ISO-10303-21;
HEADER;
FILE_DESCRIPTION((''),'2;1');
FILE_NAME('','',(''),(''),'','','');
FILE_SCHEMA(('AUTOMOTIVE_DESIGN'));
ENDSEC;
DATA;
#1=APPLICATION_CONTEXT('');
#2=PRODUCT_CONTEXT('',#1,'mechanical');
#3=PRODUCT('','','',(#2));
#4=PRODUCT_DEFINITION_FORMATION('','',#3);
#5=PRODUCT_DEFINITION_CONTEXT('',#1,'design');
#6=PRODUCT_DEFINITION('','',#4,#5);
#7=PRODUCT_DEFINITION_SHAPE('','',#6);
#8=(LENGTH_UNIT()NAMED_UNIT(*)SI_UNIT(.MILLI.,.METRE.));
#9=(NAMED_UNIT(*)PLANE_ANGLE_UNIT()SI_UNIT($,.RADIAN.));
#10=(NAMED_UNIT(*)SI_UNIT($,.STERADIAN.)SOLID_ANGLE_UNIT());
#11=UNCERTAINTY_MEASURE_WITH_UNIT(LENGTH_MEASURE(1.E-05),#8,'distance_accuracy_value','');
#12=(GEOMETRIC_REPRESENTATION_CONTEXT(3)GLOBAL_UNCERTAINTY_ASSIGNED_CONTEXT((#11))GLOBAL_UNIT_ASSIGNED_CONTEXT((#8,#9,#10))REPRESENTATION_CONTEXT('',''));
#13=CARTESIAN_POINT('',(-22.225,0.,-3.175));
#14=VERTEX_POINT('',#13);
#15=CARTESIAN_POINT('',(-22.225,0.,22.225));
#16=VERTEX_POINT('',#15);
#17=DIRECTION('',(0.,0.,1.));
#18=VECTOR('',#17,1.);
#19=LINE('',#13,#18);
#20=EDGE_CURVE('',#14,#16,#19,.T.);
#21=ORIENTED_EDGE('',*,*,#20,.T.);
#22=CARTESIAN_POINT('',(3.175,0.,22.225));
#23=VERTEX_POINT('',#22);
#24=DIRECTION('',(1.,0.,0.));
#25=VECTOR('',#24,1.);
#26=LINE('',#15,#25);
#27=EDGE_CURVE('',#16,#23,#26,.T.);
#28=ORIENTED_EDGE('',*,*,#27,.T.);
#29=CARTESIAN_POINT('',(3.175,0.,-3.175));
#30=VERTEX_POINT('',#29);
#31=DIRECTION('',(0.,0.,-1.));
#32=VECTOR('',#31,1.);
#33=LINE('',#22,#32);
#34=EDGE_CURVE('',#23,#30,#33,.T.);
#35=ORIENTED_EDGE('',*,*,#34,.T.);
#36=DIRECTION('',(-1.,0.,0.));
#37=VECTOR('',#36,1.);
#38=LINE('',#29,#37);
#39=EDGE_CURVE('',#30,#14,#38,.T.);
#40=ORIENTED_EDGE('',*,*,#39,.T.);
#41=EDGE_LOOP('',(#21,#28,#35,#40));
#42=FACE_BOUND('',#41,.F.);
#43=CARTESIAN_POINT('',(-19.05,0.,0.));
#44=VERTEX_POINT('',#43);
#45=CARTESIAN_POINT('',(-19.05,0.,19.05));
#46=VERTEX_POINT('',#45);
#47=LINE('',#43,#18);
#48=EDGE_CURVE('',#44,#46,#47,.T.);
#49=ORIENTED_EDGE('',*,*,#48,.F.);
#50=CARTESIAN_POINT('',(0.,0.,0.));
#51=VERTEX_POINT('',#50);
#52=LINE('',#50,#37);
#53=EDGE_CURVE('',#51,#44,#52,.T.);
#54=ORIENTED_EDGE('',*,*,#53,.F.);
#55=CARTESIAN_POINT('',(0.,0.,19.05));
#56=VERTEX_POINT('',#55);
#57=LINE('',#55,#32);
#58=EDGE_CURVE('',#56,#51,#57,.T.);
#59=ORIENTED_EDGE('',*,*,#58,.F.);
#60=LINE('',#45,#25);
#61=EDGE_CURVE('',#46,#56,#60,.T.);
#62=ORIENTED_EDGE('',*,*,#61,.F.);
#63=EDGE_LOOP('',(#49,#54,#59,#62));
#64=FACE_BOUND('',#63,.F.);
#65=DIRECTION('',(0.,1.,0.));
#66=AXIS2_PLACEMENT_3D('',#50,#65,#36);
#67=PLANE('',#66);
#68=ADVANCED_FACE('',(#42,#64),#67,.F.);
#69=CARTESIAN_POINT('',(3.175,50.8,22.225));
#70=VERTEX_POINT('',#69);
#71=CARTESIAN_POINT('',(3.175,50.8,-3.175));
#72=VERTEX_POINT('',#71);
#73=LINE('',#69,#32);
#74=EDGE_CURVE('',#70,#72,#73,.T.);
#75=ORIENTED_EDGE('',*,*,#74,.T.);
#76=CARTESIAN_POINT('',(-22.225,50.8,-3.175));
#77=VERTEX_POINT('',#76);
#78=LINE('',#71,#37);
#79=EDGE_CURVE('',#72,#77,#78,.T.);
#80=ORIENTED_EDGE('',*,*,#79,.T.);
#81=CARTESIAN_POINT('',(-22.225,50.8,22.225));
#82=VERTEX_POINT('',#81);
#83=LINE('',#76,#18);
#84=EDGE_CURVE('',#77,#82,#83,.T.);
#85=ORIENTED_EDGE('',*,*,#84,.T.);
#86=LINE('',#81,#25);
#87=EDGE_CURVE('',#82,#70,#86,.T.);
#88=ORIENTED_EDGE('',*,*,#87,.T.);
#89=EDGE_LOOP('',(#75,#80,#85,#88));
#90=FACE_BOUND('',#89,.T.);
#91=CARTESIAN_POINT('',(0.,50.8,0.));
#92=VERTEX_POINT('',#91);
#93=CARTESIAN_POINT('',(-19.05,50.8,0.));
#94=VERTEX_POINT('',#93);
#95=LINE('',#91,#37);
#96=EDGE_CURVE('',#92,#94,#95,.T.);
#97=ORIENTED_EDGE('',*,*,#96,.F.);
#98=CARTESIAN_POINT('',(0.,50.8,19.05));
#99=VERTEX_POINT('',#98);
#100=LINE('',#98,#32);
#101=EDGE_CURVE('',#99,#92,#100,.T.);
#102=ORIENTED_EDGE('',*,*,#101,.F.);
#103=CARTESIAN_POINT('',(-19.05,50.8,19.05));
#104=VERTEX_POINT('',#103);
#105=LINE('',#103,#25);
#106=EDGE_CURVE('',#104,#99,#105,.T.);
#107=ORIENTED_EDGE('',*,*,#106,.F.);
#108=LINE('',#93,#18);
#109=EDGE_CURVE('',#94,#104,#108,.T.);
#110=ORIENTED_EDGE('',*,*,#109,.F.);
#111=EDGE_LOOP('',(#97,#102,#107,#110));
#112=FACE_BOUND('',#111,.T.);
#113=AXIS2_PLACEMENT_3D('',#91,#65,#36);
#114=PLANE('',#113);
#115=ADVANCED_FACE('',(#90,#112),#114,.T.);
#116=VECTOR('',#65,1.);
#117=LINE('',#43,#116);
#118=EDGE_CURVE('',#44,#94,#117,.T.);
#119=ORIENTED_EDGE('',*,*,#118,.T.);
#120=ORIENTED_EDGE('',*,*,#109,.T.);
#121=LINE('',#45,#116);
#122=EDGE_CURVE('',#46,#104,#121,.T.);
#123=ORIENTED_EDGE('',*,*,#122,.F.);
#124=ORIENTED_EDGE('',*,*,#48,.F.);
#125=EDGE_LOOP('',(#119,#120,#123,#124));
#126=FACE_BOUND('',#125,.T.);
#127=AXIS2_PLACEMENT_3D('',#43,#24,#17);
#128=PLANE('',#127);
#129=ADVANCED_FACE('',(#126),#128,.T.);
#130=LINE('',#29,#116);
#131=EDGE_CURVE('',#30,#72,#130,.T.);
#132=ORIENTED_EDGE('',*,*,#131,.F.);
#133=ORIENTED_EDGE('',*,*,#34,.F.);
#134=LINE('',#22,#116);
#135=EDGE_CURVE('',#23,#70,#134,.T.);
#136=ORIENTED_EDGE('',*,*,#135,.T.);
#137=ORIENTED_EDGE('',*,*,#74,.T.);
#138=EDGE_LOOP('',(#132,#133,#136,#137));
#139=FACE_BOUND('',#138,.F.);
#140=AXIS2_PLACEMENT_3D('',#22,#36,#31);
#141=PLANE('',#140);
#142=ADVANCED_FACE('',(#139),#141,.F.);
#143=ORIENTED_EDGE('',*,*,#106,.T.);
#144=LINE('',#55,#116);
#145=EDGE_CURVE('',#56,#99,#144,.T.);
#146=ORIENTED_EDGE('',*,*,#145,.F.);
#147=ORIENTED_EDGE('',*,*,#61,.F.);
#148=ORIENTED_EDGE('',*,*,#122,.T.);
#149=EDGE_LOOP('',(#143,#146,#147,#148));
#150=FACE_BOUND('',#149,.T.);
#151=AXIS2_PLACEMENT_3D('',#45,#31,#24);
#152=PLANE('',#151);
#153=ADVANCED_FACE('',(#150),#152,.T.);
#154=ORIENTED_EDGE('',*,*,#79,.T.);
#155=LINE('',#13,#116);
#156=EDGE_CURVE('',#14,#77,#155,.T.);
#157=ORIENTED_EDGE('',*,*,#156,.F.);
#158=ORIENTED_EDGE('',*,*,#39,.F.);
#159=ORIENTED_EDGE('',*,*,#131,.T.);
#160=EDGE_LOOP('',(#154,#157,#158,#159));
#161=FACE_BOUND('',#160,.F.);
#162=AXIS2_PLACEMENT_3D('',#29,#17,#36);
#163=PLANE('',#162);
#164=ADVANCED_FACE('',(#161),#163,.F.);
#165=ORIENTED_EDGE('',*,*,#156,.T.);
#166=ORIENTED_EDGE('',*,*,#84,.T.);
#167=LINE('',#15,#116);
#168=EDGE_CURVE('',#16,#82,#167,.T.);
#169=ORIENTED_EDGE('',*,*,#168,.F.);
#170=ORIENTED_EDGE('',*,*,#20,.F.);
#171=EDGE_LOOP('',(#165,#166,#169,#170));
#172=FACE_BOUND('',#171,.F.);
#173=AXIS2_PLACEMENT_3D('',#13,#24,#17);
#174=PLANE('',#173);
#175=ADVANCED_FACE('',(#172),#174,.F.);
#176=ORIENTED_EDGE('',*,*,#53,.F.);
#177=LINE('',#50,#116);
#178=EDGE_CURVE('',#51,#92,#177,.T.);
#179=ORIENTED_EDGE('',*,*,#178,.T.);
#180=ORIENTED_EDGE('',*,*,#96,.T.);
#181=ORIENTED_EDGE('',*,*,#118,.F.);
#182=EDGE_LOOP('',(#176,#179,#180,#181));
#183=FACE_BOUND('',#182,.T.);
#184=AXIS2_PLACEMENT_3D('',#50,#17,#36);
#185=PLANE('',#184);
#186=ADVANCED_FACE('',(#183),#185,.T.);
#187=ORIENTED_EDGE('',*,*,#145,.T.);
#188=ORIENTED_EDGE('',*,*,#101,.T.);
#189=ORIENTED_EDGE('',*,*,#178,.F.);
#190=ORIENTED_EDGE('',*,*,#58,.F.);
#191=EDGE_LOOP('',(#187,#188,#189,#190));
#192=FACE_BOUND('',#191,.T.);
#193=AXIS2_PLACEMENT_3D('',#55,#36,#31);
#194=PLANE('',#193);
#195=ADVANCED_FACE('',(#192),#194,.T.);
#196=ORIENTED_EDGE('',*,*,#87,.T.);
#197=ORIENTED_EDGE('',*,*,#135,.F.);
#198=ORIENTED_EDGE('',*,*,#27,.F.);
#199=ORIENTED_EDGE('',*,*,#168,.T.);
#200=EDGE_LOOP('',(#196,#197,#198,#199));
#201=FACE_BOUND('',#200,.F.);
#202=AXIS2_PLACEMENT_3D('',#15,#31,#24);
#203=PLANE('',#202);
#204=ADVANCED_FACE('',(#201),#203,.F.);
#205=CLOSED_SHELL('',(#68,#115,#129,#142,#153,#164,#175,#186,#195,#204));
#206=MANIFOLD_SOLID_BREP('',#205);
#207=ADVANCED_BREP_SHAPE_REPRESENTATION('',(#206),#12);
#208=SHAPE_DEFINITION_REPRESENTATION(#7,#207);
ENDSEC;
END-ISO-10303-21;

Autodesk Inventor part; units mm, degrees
ref_plane "YZ Plane" through (0, 0, 0) normal (1, 0, 0) x (0, 1, 0)
ref_plane "XZ Plane" through (0, 0, 0) normal (0, 1, 0) x (-1, 0, 0)
ref_plane "XY Plane" through (0, 0, 0) normal (0, 0, 1) x (1, 0, 0)
sketch "Sketch1" plane through (0, 0, 0) normal (0, 1, 0) x (-1, 0, 0)
  line L0 (0, 0) -> (19.05, 0)
  line L1 (19.05, 0) -> (19.05, 19.05)
  line L2 (19.05, 19.05) -> (0, 19.05)
  line L3 (0, 19.05) -> (0, 0)
  line L4 (-3.175, -3.175) -> (22.225, -3.175)
  line L5 (22.225, -3.175) -> (22.225, 22.225)
  line L6 (22.225, 22.225) -> (-3.175, 22.225)
  line L7 (-3.175, 22.225) -> (-3.175, -3.175)
  dimension "d0" = 19.05
  dimension "WallThinkness" = 3.175
  dimension "d3" = 3.175
  dimension "d4" = 3.175
  dimension "d5" = 3.175
extrude "Extrusion1" add sketch "Sketch1" along normal blind 50.8
equation "\"d0\" = MastWidth"
equation "\"d3\" = WallThinkness"
equation "\"d4\" = WallThinkness"
equation "\"d5\" = WallThinkness"
equation "\"MastWidth\" = 19.05"
properties part number "TabletMount-Mast-Upper"
